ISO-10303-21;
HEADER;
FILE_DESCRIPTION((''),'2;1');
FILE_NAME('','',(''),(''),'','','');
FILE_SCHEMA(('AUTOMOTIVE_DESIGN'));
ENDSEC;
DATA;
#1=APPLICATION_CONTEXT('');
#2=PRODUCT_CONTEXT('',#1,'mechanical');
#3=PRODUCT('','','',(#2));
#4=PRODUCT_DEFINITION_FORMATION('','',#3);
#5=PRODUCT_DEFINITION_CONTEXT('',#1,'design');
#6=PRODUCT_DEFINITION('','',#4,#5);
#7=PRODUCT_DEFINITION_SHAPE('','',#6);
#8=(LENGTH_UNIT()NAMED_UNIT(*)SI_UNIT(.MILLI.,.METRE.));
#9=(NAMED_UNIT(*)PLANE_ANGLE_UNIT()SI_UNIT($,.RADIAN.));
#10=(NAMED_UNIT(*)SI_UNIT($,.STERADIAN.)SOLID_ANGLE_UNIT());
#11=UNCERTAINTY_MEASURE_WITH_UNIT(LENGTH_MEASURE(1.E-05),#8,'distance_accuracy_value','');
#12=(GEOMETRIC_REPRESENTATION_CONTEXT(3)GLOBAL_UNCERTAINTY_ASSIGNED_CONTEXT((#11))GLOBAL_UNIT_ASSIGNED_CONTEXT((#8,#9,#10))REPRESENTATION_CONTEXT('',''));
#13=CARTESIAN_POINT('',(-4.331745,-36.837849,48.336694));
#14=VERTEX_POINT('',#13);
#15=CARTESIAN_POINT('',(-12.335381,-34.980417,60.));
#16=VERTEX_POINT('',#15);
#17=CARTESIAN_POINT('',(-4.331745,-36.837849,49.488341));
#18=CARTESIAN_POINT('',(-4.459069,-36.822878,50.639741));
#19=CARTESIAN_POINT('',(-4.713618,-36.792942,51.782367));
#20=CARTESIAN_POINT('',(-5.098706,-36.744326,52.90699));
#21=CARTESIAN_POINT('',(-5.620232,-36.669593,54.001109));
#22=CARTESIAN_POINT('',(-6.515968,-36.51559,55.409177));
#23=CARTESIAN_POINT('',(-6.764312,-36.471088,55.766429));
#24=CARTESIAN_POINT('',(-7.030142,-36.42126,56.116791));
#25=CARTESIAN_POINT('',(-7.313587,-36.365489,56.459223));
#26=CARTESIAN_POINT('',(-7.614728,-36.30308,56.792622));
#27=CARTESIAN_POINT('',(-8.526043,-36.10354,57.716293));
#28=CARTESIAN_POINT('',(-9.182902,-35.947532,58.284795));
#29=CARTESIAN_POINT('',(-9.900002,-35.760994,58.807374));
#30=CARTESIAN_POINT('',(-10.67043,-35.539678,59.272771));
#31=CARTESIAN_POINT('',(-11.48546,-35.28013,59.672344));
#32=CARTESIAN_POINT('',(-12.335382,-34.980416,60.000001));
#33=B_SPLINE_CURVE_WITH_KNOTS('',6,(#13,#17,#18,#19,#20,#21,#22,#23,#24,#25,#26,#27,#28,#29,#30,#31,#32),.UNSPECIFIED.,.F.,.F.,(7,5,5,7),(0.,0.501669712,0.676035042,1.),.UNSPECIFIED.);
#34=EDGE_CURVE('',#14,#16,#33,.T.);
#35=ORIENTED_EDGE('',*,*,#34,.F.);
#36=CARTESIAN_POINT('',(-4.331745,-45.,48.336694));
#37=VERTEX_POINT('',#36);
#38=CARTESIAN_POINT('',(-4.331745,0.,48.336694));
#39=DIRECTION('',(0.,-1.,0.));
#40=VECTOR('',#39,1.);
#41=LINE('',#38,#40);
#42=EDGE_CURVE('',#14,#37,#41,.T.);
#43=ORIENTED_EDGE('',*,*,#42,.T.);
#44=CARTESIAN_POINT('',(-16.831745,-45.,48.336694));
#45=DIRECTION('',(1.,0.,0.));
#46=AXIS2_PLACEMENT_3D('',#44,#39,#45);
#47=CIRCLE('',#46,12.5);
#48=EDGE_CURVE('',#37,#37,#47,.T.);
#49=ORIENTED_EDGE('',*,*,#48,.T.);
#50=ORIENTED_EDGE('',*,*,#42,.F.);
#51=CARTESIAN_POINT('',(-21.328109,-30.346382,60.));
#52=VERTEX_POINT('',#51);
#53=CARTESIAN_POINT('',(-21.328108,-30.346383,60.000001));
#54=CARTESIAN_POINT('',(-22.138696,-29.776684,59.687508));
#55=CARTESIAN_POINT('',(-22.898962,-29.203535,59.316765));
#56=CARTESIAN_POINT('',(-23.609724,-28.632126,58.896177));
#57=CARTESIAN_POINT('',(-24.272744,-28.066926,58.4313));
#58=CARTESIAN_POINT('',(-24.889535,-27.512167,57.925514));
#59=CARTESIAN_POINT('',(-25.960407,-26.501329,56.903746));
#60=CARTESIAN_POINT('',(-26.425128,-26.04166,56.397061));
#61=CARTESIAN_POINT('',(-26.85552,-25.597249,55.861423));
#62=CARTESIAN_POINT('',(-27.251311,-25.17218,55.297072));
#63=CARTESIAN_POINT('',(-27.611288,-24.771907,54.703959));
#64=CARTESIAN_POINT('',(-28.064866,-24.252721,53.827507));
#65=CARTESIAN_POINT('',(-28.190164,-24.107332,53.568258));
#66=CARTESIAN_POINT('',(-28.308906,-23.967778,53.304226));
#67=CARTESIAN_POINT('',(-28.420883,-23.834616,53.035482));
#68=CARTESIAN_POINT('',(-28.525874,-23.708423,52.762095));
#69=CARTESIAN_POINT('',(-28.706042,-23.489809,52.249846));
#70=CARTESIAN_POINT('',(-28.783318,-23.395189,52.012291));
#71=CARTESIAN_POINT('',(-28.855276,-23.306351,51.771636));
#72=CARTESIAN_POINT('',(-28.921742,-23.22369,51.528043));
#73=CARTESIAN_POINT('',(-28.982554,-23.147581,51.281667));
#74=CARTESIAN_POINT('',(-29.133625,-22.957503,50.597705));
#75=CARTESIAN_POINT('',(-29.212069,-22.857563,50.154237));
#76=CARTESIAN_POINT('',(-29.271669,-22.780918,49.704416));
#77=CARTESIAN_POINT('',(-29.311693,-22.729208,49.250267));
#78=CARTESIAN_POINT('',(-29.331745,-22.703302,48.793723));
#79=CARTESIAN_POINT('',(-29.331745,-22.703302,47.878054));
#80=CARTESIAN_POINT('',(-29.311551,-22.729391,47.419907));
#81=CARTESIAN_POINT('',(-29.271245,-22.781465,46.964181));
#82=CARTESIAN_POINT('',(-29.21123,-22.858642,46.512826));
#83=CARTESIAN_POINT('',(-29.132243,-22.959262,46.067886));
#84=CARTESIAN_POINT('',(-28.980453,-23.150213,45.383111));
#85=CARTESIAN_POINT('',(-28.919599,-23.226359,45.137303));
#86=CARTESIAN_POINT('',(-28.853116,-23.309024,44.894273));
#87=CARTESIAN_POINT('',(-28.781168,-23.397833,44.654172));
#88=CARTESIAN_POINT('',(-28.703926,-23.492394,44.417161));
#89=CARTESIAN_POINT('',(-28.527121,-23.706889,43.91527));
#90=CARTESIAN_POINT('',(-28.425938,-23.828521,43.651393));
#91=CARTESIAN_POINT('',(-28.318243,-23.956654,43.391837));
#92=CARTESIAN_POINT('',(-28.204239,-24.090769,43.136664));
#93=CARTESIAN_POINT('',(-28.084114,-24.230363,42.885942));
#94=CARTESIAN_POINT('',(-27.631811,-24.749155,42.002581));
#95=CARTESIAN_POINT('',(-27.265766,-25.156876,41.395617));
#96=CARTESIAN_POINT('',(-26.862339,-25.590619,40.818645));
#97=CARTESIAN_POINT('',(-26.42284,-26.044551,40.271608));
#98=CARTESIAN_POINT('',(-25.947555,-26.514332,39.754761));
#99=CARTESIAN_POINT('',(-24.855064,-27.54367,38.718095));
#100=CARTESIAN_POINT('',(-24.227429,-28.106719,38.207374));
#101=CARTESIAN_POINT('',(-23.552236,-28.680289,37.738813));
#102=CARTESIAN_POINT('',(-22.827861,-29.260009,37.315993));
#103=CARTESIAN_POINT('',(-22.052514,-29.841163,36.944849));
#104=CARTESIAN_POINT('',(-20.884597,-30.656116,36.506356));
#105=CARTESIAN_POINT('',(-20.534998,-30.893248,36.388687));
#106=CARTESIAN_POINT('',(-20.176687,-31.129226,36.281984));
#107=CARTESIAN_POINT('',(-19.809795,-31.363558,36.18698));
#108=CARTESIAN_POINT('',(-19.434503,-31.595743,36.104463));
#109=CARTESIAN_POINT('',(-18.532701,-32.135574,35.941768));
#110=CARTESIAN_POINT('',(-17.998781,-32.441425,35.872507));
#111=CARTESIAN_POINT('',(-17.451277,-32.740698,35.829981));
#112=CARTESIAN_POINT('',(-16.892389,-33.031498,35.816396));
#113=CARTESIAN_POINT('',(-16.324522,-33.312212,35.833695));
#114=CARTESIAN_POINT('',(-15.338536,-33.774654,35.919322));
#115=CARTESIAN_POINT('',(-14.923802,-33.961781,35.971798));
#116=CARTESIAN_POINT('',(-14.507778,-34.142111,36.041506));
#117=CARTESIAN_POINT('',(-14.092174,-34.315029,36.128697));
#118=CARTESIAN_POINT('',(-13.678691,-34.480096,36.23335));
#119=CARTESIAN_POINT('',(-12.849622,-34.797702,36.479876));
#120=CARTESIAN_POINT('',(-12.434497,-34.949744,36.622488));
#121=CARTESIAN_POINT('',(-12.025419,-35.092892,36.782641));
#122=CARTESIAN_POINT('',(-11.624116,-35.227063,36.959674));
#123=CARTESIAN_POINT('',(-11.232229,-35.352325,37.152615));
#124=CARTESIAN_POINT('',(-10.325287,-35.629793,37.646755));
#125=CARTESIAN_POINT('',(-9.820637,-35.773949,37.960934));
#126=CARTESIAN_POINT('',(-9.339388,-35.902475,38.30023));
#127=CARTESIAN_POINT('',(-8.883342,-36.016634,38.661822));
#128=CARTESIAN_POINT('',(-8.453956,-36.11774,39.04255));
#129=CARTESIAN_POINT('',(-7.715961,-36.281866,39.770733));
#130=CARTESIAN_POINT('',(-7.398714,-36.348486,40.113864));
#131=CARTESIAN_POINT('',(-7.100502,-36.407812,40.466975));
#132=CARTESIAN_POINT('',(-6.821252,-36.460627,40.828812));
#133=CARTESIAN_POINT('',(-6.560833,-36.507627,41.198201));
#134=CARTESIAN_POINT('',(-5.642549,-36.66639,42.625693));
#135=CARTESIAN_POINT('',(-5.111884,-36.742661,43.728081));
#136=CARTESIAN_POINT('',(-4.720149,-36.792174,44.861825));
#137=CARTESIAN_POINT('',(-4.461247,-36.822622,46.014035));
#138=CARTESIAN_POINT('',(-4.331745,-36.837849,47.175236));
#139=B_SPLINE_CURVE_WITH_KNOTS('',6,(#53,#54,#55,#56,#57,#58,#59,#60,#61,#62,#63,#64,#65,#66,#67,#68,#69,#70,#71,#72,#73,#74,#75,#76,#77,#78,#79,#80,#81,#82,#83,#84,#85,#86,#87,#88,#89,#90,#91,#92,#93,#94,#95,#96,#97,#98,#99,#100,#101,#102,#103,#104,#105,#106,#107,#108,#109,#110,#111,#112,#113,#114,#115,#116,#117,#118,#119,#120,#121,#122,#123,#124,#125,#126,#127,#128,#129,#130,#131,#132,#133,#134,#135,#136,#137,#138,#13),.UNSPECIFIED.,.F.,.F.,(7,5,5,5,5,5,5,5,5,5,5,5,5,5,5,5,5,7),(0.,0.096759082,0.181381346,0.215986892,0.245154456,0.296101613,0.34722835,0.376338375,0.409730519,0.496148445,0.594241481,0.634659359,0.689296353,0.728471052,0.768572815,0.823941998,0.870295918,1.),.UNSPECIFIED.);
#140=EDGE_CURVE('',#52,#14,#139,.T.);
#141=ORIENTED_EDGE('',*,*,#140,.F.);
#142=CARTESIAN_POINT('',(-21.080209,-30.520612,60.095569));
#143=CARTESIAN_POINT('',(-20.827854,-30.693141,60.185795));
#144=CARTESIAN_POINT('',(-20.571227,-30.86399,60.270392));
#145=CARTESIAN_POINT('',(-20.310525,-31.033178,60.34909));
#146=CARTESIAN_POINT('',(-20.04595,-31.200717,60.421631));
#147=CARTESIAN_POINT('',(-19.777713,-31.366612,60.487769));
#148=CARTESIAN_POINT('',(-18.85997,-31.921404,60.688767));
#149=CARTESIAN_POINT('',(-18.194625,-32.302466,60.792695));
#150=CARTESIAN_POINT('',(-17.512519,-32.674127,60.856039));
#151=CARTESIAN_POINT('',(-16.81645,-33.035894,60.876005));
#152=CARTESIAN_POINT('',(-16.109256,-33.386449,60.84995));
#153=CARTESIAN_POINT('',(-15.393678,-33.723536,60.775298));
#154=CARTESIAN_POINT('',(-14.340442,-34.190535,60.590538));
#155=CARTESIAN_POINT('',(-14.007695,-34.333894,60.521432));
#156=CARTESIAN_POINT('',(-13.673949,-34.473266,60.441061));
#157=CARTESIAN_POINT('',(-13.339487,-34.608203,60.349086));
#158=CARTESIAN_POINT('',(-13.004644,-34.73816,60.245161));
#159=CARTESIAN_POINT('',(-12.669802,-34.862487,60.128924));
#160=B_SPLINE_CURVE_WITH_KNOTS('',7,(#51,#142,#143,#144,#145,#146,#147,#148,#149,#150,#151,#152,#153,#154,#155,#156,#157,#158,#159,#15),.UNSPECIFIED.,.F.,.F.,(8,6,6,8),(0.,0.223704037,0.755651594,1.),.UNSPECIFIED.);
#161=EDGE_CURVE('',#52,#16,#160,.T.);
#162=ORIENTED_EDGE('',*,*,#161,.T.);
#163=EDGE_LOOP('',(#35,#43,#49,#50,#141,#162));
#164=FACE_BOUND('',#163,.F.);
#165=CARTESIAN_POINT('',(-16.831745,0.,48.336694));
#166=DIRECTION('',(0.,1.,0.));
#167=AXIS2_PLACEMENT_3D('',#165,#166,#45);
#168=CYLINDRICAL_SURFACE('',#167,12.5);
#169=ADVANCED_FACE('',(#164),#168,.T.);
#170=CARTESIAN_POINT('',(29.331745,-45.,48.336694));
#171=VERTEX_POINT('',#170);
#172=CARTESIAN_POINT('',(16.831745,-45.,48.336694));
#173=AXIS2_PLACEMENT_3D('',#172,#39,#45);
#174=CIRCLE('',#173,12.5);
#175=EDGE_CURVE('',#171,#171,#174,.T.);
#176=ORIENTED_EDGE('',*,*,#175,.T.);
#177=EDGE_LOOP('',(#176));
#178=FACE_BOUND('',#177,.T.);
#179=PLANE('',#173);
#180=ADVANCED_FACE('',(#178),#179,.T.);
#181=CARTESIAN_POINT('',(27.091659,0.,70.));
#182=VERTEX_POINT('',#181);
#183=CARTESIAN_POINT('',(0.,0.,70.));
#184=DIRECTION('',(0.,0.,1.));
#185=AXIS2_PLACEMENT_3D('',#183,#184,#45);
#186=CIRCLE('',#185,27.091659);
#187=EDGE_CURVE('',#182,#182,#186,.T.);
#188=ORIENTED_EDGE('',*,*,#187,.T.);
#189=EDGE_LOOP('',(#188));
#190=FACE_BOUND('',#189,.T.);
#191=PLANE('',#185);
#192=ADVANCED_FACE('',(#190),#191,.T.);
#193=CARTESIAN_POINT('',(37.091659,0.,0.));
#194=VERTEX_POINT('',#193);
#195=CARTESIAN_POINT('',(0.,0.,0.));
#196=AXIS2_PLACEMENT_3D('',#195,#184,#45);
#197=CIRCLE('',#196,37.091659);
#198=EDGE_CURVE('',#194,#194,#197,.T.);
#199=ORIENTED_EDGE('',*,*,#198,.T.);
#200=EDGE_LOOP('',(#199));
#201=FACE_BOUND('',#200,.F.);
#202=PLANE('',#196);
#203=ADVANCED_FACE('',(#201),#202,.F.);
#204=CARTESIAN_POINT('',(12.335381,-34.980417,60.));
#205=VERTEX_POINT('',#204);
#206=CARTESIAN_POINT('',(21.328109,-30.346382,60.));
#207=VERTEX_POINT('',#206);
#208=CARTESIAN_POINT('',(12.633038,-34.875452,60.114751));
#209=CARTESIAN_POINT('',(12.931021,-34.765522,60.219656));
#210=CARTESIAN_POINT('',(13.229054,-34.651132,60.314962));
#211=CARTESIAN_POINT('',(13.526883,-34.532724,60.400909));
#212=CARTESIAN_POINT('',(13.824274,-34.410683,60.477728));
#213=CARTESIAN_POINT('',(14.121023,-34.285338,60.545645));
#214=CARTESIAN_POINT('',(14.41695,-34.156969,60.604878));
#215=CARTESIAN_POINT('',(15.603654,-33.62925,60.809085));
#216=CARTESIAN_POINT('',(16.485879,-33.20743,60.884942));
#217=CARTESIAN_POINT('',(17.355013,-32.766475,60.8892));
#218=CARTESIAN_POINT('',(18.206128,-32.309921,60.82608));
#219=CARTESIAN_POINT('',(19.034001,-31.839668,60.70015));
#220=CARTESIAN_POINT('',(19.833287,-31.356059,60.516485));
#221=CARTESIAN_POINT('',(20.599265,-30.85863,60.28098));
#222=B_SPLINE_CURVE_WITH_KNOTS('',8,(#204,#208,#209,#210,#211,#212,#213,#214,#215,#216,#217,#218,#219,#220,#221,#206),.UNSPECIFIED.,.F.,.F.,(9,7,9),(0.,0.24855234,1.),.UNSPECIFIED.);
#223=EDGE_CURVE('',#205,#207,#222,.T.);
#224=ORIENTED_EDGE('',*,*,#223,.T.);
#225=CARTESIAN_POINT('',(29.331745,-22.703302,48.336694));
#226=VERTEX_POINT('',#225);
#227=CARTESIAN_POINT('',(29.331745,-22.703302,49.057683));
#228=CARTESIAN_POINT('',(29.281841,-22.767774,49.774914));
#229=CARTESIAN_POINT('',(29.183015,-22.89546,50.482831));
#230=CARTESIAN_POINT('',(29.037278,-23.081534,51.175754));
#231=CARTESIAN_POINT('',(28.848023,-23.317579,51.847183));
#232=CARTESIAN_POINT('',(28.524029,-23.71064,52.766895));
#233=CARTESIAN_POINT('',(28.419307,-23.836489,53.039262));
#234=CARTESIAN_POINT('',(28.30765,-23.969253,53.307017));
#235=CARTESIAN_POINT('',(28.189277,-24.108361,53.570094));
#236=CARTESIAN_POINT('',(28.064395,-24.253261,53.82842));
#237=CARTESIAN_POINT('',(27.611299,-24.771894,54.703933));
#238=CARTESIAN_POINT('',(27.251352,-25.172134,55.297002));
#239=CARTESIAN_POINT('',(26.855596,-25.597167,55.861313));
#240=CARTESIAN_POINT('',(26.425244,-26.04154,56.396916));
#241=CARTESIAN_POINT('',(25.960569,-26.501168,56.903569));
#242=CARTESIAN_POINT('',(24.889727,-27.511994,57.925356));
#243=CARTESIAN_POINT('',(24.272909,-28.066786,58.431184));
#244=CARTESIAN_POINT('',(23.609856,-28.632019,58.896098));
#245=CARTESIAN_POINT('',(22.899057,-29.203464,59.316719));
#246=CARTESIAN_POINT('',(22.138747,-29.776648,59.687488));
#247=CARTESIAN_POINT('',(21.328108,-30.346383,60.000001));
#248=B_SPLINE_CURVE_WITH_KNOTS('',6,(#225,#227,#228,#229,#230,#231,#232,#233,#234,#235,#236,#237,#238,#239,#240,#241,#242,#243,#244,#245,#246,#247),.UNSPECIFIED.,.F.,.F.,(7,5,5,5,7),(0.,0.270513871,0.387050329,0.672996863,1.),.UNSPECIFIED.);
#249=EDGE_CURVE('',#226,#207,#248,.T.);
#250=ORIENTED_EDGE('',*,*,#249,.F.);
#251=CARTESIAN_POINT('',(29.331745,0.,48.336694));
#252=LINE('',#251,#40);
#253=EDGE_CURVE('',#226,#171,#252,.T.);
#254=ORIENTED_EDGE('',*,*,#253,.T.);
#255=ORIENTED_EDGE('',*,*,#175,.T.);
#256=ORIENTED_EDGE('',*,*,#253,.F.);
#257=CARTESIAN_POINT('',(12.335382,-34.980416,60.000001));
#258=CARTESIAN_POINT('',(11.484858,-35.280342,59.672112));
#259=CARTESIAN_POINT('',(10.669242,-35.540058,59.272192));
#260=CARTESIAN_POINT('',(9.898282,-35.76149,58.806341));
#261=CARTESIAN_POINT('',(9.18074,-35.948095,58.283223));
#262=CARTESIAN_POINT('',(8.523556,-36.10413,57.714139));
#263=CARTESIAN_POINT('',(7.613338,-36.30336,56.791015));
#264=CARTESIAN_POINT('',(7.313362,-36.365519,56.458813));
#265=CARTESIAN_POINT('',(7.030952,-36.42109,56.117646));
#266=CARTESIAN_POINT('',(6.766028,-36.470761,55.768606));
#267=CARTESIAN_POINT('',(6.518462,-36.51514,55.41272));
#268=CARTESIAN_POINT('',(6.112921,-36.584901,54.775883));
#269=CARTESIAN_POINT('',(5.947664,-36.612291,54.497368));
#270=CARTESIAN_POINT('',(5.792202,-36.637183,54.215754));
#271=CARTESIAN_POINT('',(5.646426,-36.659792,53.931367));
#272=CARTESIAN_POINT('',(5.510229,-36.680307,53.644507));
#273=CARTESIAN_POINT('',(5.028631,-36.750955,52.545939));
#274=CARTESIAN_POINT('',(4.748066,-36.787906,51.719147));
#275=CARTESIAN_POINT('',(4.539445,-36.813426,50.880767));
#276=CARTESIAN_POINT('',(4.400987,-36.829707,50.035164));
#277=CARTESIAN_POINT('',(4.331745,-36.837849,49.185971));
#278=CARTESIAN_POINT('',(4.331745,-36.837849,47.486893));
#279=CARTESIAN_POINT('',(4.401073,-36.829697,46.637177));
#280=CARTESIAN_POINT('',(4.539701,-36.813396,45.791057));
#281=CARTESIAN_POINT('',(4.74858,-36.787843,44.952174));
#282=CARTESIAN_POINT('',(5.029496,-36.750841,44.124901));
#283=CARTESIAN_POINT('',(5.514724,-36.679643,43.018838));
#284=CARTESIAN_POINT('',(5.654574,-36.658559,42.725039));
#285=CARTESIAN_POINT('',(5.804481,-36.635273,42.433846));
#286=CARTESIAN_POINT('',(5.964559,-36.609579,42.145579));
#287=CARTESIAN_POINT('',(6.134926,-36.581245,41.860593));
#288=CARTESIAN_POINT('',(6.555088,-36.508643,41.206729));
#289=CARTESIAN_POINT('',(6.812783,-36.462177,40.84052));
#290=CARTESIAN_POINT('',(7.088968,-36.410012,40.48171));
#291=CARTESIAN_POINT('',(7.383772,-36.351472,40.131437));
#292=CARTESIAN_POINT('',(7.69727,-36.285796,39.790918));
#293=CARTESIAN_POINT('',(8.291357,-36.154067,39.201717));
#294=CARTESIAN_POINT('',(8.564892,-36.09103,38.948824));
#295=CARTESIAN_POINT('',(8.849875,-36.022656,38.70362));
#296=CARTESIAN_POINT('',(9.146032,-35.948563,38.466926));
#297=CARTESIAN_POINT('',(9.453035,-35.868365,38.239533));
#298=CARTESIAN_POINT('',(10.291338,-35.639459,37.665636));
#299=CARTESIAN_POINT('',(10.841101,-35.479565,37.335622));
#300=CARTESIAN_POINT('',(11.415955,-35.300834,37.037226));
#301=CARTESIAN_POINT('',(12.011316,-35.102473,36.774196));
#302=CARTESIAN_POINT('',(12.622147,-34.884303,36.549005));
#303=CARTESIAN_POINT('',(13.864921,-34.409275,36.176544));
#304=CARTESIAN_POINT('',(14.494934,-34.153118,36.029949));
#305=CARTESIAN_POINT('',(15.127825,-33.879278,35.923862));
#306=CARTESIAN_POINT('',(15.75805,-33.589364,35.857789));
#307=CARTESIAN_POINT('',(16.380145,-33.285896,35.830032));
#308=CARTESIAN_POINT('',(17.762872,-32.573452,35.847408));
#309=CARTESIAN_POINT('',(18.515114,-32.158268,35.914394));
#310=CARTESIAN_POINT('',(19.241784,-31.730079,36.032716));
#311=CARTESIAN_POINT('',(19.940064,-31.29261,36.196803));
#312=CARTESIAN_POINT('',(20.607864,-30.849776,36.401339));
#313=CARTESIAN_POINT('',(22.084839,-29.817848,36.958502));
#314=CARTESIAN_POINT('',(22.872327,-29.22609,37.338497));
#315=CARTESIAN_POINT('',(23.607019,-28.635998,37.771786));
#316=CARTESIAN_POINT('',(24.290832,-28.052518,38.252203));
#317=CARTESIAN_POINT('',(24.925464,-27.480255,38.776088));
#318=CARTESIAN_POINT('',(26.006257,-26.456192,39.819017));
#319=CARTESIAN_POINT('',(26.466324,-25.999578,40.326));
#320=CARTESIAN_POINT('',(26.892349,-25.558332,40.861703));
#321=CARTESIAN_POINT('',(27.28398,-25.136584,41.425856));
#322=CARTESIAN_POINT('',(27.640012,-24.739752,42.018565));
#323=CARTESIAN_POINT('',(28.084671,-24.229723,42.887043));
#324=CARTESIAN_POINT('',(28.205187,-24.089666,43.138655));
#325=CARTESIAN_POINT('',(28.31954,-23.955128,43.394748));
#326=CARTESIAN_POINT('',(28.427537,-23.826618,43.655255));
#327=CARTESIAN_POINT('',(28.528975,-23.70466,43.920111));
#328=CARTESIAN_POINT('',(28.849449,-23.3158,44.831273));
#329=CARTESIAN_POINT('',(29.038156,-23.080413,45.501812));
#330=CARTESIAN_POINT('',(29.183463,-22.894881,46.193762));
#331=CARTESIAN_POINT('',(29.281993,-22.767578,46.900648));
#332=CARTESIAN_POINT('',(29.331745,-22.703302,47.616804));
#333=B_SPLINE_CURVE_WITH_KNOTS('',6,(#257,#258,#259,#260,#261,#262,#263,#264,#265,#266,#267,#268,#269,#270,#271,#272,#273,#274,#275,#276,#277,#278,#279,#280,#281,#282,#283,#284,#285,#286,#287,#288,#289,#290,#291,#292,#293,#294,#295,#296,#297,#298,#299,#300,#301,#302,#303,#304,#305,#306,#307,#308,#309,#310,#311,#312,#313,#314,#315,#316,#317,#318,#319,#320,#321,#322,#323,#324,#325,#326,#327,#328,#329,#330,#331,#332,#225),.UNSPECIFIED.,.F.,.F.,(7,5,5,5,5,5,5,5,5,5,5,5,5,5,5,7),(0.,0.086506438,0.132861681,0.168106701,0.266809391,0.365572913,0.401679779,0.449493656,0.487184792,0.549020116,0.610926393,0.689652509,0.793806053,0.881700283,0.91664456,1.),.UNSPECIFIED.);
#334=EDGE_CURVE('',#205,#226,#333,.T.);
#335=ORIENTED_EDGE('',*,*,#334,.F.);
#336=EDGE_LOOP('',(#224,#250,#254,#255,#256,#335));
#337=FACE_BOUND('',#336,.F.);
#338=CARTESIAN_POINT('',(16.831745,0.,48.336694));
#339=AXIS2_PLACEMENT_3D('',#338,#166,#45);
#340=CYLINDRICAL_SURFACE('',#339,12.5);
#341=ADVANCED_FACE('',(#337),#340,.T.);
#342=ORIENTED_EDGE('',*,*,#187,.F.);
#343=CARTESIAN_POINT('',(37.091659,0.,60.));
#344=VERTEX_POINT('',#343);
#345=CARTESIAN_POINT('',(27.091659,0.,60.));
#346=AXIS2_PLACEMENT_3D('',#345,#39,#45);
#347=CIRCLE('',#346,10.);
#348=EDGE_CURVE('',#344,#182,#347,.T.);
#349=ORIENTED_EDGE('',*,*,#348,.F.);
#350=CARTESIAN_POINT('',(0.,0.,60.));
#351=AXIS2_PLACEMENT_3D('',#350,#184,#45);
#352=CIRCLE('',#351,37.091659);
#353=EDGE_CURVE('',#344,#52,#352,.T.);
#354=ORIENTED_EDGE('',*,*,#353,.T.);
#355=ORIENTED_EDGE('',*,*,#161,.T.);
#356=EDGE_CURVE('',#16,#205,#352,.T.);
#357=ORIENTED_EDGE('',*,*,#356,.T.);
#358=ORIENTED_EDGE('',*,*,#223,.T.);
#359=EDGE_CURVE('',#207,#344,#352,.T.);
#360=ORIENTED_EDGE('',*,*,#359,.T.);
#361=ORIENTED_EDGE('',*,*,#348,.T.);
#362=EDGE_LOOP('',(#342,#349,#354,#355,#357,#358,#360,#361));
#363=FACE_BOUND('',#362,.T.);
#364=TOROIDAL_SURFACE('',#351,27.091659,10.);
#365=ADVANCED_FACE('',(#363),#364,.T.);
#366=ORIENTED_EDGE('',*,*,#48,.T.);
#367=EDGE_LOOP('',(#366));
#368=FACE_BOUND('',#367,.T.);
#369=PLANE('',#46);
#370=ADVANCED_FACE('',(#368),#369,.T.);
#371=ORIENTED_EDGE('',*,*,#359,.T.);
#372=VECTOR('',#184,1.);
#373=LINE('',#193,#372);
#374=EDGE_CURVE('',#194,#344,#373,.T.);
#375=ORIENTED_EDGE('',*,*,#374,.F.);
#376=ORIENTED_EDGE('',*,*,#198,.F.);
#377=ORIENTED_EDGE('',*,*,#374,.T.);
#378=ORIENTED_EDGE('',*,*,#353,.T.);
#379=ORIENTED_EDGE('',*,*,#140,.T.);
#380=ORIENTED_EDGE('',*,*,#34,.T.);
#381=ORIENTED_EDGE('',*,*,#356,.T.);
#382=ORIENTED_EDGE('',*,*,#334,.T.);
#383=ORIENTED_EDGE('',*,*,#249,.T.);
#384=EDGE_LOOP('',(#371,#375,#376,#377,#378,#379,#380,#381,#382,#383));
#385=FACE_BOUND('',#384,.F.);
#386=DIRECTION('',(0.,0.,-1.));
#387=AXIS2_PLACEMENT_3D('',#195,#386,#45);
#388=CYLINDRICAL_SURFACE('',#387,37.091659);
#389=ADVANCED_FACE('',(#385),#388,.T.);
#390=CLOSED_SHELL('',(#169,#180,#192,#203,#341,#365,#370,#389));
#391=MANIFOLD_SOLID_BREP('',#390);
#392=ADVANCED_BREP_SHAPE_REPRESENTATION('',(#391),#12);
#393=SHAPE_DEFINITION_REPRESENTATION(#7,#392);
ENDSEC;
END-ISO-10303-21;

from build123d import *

# Parameters (mm, degrees)
F0_R     = 37.091659
F1_DEPTH = 70
F2_R     = 10
F3_R     = 12.5
F4_DEPTH = 45


with BuildPart() as f1:
    # F0 (on Top) → F1 (new body)
    with BuildSketch(Plane.XY):
        Circle(F0_R)
    extrude(amount=F1_DEPTH)

    # F2
    f2_edges = [f1.edges().sort_by_distance(p)[0] for p in [
        (-37.091659, 0, 70),
    ]]
    fillet(f2_edges, radius=F2_R)

    # F3 (on Front) → F4 (join)
    with BuildSketch(Plane.XZ):
        with Locations((-16.831745, 48.336694)):
            Circle(F3_R)
        with Locations((16.831745, 48.336694)):
            Circle(F3_R)
    extrude(amount=F4_DEPTH)


solid = f1.part
